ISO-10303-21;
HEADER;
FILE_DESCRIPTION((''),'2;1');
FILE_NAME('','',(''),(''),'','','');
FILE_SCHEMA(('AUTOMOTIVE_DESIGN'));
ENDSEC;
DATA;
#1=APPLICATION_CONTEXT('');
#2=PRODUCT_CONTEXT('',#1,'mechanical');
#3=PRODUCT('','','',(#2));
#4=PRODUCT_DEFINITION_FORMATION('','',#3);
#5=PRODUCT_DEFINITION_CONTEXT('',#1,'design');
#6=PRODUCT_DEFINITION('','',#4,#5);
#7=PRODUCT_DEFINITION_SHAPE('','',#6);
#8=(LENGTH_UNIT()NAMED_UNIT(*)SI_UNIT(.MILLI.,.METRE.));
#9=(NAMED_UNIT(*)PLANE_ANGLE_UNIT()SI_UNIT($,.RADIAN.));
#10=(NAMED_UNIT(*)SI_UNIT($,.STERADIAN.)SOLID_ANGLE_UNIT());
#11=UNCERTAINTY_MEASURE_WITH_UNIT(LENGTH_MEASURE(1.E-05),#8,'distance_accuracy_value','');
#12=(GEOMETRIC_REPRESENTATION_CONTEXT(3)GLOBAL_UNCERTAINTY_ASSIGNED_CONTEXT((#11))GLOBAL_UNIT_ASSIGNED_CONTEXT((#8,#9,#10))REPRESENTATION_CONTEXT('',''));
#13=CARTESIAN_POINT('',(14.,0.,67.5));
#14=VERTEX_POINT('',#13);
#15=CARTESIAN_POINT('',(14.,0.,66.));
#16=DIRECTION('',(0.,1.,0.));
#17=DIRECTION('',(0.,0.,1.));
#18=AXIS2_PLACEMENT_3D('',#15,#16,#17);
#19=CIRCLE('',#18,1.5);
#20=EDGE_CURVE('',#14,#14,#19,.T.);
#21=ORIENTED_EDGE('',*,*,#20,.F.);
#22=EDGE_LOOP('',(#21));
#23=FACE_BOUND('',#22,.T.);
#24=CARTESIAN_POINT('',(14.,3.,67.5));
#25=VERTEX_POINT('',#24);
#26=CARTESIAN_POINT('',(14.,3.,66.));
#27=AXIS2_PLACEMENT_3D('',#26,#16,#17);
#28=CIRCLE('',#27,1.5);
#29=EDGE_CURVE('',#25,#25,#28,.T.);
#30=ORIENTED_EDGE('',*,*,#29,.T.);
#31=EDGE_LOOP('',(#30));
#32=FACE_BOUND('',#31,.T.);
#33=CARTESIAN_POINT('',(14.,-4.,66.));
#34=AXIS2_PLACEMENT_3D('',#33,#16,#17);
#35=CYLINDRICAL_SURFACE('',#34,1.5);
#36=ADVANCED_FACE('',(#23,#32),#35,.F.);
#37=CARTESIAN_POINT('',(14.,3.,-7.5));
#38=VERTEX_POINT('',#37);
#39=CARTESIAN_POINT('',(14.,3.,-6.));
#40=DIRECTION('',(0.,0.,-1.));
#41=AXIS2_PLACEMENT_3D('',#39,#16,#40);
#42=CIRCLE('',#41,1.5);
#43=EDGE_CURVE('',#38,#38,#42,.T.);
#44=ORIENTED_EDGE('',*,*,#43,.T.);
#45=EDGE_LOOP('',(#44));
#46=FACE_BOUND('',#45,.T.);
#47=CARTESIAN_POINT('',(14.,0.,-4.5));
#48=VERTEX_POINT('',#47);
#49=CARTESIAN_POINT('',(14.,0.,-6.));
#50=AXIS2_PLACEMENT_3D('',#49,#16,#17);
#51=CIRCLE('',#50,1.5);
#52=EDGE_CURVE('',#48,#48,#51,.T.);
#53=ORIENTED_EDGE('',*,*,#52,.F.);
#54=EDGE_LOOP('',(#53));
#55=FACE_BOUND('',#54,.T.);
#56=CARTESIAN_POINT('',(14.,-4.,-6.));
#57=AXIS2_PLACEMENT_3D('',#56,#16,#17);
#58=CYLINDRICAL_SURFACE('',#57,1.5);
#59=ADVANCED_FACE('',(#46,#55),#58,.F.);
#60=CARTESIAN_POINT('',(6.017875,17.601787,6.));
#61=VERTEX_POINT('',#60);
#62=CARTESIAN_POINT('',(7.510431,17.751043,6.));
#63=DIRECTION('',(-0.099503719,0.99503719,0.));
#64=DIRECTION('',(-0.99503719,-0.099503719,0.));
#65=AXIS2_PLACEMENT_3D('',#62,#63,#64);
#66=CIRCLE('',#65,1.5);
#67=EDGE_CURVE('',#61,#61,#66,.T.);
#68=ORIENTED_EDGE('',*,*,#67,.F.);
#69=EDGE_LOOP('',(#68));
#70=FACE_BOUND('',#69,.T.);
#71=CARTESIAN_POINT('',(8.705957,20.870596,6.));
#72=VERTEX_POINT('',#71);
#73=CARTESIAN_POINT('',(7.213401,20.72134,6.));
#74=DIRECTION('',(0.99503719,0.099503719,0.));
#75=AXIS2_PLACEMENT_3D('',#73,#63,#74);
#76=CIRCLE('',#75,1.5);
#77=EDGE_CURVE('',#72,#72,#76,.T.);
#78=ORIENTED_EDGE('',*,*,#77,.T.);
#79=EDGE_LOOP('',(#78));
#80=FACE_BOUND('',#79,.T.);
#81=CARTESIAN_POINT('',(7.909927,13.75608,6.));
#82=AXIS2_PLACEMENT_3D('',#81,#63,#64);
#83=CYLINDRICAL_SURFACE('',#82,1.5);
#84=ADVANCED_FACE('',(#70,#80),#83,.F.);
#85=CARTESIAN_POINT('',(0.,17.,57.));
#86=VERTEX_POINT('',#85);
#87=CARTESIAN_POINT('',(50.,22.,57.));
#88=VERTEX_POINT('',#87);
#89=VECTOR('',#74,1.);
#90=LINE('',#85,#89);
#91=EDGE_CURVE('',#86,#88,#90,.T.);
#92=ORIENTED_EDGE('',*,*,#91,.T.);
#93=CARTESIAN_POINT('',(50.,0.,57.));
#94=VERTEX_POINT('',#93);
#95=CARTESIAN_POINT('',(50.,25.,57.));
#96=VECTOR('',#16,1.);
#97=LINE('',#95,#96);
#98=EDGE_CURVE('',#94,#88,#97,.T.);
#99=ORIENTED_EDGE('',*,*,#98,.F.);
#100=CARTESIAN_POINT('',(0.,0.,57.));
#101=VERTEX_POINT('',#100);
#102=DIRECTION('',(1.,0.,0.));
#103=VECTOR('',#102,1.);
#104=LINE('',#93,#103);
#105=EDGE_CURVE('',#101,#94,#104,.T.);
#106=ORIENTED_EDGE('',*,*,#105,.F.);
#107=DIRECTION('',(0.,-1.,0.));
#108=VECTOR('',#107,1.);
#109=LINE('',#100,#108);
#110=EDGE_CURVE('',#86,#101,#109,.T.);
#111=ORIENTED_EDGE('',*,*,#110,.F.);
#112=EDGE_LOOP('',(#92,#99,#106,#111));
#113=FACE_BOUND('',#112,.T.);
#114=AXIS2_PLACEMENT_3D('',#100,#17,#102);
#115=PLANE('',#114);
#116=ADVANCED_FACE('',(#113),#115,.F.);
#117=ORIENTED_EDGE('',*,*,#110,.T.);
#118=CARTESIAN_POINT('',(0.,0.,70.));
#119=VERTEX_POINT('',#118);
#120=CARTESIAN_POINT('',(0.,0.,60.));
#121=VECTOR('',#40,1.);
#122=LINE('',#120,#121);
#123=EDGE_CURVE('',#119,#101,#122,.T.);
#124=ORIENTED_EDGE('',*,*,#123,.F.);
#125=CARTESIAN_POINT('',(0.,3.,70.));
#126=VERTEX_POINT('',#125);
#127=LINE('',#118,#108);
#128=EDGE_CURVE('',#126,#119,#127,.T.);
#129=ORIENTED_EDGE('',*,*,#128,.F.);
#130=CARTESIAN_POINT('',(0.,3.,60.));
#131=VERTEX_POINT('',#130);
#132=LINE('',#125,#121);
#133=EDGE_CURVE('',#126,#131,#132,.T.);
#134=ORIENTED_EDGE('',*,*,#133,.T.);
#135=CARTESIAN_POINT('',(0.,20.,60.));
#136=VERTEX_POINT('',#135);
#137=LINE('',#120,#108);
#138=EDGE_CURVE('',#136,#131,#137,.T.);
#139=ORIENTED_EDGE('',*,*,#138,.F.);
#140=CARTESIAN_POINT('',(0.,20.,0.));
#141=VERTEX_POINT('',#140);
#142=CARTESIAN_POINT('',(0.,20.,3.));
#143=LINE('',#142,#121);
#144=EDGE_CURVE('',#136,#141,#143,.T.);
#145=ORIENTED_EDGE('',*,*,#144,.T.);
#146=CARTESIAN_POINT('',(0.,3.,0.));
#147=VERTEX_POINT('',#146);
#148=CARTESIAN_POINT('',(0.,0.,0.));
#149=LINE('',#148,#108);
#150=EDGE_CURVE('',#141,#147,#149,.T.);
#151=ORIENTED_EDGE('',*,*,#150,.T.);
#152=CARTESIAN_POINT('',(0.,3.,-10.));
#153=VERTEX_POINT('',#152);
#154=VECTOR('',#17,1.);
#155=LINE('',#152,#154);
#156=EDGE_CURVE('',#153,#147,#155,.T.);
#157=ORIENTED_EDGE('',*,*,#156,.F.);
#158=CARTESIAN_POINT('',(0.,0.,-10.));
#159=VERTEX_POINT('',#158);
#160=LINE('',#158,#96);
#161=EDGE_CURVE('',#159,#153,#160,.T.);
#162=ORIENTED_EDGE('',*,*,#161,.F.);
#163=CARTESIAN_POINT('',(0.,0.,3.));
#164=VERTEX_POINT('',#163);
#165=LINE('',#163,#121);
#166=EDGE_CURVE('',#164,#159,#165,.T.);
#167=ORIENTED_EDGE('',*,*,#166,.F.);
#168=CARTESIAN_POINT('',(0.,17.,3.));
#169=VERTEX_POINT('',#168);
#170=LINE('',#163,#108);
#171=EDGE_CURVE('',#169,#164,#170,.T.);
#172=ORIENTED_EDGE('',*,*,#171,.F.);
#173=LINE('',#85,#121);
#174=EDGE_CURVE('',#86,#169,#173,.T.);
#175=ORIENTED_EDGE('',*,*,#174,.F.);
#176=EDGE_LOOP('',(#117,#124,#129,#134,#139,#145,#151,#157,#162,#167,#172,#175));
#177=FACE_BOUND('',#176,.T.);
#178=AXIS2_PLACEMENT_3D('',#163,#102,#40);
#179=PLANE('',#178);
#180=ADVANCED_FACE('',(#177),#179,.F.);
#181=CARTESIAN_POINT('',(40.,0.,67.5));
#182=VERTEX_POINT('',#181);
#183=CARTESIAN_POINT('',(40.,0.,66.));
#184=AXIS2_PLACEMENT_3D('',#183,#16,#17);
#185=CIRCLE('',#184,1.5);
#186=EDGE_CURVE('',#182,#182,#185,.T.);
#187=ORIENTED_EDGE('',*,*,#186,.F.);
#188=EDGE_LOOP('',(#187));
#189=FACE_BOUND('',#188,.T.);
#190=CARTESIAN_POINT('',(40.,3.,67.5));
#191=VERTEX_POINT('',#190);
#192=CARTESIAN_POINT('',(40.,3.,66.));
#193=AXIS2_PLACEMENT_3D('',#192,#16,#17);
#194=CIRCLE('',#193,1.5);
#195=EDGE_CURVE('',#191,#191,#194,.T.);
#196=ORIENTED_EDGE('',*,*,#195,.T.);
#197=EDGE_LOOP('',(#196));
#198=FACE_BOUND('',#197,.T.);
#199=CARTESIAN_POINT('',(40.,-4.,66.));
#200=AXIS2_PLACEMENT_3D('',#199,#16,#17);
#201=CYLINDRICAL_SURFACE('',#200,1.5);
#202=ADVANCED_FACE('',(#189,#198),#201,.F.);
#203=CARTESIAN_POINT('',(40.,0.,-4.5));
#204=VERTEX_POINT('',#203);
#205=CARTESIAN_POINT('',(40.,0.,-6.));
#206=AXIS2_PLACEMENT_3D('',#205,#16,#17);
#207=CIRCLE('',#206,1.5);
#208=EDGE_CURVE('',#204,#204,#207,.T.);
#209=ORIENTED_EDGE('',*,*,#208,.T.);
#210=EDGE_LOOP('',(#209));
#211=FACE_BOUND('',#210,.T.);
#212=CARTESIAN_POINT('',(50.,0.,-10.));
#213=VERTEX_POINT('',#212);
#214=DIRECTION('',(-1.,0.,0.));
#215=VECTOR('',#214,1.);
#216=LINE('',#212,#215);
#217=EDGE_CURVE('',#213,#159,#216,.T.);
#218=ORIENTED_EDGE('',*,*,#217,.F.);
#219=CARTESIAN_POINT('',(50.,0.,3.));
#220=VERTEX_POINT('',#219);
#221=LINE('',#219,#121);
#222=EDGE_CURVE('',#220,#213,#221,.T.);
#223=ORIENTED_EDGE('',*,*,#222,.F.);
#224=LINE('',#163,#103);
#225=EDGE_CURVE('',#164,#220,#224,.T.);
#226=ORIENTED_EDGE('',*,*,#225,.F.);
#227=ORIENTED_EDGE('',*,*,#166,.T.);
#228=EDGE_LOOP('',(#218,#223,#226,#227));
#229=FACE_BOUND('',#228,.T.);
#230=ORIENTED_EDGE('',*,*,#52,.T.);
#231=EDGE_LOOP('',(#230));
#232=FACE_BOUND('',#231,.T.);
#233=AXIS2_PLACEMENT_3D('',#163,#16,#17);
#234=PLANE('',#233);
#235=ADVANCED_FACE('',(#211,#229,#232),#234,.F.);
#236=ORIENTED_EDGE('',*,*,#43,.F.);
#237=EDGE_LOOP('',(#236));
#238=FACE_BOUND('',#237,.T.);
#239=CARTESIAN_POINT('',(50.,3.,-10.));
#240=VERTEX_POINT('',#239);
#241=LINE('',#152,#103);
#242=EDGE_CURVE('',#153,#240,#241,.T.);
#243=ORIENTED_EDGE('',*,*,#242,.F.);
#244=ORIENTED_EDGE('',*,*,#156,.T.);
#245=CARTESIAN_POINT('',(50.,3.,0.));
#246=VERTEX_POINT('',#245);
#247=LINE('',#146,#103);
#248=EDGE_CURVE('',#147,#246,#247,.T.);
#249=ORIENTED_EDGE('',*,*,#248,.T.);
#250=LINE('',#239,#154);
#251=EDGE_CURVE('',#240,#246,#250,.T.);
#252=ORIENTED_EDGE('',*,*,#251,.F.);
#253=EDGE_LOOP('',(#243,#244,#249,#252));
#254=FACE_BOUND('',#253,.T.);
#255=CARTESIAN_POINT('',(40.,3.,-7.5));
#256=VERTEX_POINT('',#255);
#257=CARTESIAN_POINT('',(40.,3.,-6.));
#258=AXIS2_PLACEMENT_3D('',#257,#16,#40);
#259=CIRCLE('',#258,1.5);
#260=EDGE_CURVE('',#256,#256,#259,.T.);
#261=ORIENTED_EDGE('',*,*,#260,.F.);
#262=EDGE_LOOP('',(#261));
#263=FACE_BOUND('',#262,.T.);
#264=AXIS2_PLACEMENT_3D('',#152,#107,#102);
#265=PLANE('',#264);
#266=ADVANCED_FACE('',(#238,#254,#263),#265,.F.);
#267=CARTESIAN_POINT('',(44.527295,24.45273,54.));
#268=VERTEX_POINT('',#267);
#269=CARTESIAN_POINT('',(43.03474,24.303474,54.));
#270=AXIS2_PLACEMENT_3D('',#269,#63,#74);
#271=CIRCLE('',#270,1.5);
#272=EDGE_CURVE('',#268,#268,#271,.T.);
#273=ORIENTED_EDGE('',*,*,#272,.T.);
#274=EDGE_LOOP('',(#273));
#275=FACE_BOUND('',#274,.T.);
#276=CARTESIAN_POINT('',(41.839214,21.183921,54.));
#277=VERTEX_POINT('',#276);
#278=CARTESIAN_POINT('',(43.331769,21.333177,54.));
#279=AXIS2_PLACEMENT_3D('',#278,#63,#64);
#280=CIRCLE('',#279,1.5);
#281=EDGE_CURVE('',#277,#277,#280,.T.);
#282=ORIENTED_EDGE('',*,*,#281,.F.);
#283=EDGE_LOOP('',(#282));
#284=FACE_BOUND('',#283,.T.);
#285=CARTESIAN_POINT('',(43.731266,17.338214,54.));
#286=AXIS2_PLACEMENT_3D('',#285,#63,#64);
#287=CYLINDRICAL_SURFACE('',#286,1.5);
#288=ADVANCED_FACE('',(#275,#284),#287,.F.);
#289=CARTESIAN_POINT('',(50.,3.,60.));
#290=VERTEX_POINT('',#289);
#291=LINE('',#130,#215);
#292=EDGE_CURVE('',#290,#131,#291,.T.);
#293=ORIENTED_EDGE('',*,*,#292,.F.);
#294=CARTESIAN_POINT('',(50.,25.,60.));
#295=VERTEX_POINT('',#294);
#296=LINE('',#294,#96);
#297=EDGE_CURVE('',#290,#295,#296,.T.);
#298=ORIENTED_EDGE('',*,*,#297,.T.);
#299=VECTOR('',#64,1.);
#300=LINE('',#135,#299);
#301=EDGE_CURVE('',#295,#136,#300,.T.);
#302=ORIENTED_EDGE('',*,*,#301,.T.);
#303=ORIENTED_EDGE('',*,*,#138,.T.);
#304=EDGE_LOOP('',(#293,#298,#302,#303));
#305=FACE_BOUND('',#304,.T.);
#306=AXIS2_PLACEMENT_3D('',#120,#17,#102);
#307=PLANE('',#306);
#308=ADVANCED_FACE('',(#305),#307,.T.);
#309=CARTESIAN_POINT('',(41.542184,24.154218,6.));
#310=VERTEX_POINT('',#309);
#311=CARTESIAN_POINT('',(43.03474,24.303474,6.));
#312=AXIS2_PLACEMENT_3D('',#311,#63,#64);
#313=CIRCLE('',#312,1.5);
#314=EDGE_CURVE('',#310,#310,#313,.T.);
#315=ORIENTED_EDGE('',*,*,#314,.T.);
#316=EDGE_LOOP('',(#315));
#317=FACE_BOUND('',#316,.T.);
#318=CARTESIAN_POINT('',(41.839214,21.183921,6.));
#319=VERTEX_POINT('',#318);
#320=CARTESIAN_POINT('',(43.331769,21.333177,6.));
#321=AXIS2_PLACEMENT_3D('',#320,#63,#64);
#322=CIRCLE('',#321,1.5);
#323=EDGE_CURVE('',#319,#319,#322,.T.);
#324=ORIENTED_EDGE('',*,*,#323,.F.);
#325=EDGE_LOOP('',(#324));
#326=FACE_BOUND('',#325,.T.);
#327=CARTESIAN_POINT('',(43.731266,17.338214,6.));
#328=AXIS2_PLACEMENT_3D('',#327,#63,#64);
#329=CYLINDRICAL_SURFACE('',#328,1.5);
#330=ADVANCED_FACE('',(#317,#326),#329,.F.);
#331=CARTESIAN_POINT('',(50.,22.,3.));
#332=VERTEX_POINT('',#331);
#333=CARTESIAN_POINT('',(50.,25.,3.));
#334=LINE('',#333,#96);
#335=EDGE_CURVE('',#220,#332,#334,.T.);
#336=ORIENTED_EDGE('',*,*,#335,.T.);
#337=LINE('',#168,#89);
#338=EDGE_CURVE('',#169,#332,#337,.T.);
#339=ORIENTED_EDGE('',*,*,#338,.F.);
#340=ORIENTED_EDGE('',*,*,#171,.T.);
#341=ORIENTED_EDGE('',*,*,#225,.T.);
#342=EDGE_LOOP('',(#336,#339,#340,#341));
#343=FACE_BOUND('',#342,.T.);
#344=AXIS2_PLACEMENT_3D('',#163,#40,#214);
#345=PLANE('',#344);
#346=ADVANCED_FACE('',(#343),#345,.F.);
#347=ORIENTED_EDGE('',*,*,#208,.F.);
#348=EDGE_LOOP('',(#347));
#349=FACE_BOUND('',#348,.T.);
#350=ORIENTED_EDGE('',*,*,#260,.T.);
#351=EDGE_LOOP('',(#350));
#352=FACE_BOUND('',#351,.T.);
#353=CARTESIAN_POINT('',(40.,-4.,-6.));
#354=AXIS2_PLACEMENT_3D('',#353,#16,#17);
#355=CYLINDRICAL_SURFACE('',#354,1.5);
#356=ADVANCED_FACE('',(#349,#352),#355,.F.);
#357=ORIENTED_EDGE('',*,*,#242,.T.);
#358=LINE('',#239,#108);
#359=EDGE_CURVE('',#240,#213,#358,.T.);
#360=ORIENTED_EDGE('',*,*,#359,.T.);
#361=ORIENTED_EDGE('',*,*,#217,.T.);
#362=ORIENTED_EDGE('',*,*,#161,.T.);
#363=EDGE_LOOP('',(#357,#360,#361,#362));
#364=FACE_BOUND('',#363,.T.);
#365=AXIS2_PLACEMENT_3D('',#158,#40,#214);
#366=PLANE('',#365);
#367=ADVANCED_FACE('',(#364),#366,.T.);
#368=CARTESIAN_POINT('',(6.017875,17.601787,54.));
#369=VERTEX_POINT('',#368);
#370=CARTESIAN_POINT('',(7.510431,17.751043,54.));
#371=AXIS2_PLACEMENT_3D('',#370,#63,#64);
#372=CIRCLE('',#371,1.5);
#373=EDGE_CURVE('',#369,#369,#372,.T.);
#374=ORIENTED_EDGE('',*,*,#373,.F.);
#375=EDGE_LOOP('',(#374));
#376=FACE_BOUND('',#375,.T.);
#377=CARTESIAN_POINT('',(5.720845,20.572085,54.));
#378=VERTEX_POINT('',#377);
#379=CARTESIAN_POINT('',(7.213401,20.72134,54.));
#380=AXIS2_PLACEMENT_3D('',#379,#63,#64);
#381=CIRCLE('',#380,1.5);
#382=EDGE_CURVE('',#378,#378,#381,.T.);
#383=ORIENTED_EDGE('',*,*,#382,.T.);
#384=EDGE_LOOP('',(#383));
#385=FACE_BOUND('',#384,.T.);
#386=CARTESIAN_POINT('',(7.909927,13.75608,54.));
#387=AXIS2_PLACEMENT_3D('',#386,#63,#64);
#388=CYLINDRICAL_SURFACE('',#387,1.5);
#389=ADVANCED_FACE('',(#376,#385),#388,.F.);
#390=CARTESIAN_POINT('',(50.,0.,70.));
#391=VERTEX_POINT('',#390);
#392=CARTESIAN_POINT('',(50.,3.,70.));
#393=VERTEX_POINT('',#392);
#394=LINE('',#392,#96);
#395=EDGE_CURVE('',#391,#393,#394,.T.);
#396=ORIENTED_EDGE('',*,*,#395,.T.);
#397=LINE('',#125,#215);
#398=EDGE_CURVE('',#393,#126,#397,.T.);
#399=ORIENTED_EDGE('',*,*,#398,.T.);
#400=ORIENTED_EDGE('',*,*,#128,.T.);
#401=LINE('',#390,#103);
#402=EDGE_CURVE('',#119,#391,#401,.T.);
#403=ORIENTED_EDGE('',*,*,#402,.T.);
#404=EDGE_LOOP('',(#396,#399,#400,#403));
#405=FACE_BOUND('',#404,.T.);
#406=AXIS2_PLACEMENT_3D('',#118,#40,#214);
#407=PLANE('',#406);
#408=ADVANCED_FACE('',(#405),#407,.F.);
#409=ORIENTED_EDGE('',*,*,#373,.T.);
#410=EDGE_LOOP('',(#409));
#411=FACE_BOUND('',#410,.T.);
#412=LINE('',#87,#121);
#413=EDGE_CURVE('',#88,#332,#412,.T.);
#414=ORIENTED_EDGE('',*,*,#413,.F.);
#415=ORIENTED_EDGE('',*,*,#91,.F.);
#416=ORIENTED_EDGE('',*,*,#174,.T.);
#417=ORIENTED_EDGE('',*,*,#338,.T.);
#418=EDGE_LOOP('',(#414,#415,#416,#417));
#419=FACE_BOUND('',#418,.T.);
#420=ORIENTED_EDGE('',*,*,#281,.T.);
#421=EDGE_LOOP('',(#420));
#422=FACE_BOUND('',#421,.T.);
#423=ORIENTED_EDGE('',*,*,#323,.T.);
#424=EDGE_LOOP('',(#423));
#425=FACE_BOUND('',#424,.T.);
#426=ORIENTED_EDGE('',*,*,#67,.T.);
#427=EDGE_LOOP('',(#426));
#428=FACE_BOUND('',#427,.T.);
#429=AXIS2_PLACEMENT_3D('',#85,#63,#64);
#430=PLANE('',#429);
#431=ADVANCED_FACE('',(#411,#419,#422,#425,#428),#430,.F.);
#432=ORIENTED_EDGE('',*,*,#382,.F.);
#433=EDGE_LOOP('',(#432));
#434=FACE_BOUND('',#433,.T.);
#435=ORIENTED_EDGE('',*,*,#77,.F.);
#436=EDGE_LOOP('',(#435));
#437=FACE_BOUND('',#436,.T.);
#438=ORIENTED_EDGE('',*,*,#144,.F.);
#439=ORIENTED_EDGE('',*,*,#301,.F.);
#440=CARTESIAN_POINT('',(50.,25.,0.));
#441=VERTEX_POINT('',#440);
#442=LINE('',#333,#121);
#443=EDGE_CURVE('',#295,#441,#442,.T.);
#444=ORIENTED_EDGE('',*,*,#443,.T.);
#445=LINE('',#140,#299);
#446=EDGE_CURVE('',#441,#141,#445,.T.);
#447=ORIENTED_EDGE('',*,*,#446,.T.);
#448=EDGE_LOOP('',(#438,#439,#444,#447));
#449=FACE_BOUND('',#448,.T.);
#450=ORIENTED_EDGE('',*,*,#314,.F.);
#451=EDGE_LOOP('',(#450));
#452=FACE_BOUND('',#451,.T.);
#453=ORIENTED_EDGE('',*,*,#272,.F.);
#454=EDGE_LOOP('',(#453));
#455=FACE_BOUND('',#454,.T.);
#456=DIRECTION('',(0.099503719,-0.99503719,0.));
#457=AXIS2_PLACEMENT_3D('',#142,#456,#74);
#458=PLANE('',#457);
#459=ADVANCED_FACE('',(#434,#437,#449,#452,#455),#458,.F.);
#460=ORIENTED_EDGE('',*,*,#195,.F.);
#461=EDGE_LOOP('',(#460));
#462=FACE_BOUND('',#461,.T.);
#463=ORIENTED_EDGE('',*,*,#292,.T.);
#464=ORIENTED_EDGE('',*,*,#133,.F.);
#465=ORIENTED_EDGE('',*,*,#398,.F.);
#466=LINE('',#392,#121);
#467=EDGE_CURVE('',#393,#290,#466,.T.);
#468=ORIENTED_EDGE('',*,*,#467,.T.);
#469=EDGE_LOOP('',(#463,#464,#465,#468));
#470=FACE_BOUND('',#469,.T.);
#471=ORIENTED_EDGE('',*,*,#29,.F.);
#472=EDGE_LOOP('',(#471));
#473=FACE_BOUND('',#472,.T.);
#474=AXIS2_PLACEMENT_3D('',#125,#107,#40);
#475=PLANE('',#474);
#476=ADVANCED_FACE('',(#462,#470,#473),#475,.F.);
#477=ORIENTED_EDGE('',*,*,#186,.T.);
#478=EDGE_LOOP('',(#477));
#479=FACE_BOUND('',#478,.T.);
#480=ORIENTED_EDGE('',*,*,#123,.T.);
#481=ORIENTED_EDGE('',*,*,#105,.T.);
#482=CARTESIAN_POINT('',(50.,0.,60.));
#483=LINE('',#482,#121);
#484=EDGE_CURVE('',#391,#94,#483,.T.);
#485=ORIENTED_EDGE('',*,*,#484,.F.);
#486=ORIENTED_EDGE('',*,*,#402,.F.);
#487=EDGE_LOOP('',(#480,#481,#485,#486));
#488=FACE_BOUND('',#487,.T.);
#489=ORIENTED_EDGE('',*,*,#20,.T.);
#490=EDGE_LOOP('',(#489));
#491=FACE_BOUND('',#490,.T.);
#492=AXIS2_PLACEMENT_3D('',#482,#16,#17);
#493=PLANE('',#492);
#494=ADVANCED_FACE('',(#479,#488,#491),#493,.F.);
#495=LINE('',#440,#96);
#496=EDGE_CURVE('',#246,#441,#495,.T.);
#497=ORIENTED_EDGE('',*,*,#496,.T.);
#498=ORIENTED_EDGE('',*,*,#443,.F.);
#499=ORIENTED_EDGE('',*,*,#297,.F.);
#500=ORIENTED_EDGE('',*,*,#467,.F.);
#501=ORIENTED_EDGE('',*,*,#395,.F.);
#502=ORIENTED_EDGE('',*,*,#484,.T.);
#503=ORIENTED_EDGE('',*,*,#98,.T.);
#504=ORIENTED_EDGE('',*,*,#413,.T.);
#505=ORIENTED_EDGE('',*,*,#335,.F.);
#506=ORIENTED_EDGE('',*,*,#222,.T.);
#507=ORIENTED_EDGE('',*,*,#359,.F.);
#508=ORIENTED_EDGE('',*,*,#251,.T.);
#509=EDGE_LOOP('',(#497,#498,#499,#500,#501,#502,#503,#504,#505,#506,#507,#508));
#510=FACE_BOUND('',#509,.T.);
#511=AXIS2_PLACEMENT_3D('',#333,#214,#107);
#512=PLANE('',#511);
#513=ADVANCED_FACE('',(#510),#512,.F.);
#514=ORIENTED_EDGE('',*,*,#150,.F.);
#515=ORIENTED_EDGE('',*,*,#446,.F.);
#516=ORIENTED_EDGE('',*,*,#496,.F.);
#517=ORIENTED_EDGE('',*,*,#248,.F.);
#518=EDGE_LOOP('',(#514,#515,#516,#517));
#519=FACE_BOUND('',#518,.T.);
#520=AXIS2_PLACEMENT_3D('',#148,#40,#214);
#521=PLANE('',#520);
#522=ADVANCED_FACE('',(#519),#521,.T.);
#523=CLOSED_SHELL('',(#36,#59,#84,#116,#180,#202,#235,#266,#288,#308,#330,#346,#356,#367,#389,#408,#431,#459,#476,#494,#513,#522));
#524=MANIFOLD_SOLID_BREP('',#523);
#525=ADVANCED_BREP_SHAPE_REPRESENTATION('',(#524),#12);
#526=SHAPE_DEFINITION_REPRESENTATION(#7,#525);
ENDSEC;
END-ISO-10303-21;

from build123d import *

# Parameters (mm, degrees)
EXTRUDE_3_DEPTH     = 3
EXTRUDE_4_DEPTH     = 54
EXTRUDE_5_DEPTH     = 3
SKETCH_9_W          = 50
SKETCH_9_H          = 3
EXTRUDE_6_DEPTH     = 10
SKETCH_10_W         = 50
SKETCH_10_H         = 3
EXTRUDE_7_DEPTH     = 10
SKETCH_11_R         = 1.5
CUT_EXTRUDE_1_DEPTH = 7
SKETCH_12_R         = 1.5
CUT_EXTRUDE_2_DEPTH = 7


with BuildPart() as part:
    # 草图4 → 凸台-拉伸3 (new body)
    with BuildSketch(Plane.XY):
        Polygon((0, 0), (50, 0), (50, 25), (0, 20), align=None)
    extrude(amount=EXTRUDE_3_DEPTH)

    # 草图5 → 凸台-拉伸4 (add)
    with BuildSketch(Plane.XY.offset(3)):
        Polygon((0, 20), (0, 17), (50, 22), (50, 25), align=None)
    extrude(amount=EXTRUDE_4_DEPTH)

    # 草图8 → 凸台-拉伸5 (add)
    with BuildSketch(Plane.XY.offset(57)):
        Polygon((0, 20), (50, 25), (50, 0), (0, 0), align=None)
    extrude(amount=EXTRUDE_5_DEPTH)

    # 草图9 → 凸台-拉伸6 (add)
    with BuildSketch(Plane.XY.offset(60)):
        with Locations((25, 1.5)):
            Rectangle(SKETCH_9_W, SKETCH_9_H)
    extrude(amount=EXTRUDE_6_DEPTH)

    # 草图10 → 凸台-拉伸7 (add)
    with BuildSketch(Plane(origin=(0, 0, 0), x_dir=(-1, 0, 0), z_dir=(0, 0, -1))):
        with Locations((-25, 1.5)):
            Rectangle(SKETCH_10_W, SKETCH_10_H)
    extrude(amount=EXTRUDE_7_DEPTH)

    # 草图11 → 切除-拉伸1 (cut)
    with BuildSketch(Plane(origin=(0, 3, 0), x_dir=(1, 0, 0), z_dir=(0, 1, 0))):
        with Locations(Location((14, -66, 0), (0, 0, 270))):
            Circle(SKETCH_11_R)
        with Locations(Location((40, -66, 0), (0, 0, 270))):
            Circle(SKETCH_11_R)
        with Locations(Location((40, 6, 0), (0, 0, 270))):
            Circle(SKETCH_11_R)
        with Locations(Location((14, 6, 0), (0, 0, 270))):
            Circle(SKETCH_11_R)
    extrude(amount=-CUT_EXTRUDE_1_DEPTH, mode=Mode.SUBTRACT)

    # 草图12 → 切除-拉伸2 (cut)
    with BuildSketch(Plane(origin=(-1.98019802, 19.801980198, 0), x_dir=(0.9950371902099892, 0.09950371902099896, 0), z_dir=(-0.09950371902099897, 0.9950371902099893, 0))):
        with Locations(Location((45.239452486, -6, 0), (0, 0, 180))):
            Circle(SKETCH_12_R)
        with Locations(Location((45.239452486, -54, 0), (0, 0, 180))):
            Circle(SKETCH_12_R)
        with Locations(Location((9.239452486, -54, 0), (0, 0, 180))):
            Circle(SKETCH_12_R)
        with Locations(Location((9.239452486, -6, 0), (0, 0, 180))):
            Circle(SKETCH_12_R)
    extrude(amount=-CUT_EXTRUDE_2_DEPTH, mode=Mode.SUBTRACT)


solid = part.part
